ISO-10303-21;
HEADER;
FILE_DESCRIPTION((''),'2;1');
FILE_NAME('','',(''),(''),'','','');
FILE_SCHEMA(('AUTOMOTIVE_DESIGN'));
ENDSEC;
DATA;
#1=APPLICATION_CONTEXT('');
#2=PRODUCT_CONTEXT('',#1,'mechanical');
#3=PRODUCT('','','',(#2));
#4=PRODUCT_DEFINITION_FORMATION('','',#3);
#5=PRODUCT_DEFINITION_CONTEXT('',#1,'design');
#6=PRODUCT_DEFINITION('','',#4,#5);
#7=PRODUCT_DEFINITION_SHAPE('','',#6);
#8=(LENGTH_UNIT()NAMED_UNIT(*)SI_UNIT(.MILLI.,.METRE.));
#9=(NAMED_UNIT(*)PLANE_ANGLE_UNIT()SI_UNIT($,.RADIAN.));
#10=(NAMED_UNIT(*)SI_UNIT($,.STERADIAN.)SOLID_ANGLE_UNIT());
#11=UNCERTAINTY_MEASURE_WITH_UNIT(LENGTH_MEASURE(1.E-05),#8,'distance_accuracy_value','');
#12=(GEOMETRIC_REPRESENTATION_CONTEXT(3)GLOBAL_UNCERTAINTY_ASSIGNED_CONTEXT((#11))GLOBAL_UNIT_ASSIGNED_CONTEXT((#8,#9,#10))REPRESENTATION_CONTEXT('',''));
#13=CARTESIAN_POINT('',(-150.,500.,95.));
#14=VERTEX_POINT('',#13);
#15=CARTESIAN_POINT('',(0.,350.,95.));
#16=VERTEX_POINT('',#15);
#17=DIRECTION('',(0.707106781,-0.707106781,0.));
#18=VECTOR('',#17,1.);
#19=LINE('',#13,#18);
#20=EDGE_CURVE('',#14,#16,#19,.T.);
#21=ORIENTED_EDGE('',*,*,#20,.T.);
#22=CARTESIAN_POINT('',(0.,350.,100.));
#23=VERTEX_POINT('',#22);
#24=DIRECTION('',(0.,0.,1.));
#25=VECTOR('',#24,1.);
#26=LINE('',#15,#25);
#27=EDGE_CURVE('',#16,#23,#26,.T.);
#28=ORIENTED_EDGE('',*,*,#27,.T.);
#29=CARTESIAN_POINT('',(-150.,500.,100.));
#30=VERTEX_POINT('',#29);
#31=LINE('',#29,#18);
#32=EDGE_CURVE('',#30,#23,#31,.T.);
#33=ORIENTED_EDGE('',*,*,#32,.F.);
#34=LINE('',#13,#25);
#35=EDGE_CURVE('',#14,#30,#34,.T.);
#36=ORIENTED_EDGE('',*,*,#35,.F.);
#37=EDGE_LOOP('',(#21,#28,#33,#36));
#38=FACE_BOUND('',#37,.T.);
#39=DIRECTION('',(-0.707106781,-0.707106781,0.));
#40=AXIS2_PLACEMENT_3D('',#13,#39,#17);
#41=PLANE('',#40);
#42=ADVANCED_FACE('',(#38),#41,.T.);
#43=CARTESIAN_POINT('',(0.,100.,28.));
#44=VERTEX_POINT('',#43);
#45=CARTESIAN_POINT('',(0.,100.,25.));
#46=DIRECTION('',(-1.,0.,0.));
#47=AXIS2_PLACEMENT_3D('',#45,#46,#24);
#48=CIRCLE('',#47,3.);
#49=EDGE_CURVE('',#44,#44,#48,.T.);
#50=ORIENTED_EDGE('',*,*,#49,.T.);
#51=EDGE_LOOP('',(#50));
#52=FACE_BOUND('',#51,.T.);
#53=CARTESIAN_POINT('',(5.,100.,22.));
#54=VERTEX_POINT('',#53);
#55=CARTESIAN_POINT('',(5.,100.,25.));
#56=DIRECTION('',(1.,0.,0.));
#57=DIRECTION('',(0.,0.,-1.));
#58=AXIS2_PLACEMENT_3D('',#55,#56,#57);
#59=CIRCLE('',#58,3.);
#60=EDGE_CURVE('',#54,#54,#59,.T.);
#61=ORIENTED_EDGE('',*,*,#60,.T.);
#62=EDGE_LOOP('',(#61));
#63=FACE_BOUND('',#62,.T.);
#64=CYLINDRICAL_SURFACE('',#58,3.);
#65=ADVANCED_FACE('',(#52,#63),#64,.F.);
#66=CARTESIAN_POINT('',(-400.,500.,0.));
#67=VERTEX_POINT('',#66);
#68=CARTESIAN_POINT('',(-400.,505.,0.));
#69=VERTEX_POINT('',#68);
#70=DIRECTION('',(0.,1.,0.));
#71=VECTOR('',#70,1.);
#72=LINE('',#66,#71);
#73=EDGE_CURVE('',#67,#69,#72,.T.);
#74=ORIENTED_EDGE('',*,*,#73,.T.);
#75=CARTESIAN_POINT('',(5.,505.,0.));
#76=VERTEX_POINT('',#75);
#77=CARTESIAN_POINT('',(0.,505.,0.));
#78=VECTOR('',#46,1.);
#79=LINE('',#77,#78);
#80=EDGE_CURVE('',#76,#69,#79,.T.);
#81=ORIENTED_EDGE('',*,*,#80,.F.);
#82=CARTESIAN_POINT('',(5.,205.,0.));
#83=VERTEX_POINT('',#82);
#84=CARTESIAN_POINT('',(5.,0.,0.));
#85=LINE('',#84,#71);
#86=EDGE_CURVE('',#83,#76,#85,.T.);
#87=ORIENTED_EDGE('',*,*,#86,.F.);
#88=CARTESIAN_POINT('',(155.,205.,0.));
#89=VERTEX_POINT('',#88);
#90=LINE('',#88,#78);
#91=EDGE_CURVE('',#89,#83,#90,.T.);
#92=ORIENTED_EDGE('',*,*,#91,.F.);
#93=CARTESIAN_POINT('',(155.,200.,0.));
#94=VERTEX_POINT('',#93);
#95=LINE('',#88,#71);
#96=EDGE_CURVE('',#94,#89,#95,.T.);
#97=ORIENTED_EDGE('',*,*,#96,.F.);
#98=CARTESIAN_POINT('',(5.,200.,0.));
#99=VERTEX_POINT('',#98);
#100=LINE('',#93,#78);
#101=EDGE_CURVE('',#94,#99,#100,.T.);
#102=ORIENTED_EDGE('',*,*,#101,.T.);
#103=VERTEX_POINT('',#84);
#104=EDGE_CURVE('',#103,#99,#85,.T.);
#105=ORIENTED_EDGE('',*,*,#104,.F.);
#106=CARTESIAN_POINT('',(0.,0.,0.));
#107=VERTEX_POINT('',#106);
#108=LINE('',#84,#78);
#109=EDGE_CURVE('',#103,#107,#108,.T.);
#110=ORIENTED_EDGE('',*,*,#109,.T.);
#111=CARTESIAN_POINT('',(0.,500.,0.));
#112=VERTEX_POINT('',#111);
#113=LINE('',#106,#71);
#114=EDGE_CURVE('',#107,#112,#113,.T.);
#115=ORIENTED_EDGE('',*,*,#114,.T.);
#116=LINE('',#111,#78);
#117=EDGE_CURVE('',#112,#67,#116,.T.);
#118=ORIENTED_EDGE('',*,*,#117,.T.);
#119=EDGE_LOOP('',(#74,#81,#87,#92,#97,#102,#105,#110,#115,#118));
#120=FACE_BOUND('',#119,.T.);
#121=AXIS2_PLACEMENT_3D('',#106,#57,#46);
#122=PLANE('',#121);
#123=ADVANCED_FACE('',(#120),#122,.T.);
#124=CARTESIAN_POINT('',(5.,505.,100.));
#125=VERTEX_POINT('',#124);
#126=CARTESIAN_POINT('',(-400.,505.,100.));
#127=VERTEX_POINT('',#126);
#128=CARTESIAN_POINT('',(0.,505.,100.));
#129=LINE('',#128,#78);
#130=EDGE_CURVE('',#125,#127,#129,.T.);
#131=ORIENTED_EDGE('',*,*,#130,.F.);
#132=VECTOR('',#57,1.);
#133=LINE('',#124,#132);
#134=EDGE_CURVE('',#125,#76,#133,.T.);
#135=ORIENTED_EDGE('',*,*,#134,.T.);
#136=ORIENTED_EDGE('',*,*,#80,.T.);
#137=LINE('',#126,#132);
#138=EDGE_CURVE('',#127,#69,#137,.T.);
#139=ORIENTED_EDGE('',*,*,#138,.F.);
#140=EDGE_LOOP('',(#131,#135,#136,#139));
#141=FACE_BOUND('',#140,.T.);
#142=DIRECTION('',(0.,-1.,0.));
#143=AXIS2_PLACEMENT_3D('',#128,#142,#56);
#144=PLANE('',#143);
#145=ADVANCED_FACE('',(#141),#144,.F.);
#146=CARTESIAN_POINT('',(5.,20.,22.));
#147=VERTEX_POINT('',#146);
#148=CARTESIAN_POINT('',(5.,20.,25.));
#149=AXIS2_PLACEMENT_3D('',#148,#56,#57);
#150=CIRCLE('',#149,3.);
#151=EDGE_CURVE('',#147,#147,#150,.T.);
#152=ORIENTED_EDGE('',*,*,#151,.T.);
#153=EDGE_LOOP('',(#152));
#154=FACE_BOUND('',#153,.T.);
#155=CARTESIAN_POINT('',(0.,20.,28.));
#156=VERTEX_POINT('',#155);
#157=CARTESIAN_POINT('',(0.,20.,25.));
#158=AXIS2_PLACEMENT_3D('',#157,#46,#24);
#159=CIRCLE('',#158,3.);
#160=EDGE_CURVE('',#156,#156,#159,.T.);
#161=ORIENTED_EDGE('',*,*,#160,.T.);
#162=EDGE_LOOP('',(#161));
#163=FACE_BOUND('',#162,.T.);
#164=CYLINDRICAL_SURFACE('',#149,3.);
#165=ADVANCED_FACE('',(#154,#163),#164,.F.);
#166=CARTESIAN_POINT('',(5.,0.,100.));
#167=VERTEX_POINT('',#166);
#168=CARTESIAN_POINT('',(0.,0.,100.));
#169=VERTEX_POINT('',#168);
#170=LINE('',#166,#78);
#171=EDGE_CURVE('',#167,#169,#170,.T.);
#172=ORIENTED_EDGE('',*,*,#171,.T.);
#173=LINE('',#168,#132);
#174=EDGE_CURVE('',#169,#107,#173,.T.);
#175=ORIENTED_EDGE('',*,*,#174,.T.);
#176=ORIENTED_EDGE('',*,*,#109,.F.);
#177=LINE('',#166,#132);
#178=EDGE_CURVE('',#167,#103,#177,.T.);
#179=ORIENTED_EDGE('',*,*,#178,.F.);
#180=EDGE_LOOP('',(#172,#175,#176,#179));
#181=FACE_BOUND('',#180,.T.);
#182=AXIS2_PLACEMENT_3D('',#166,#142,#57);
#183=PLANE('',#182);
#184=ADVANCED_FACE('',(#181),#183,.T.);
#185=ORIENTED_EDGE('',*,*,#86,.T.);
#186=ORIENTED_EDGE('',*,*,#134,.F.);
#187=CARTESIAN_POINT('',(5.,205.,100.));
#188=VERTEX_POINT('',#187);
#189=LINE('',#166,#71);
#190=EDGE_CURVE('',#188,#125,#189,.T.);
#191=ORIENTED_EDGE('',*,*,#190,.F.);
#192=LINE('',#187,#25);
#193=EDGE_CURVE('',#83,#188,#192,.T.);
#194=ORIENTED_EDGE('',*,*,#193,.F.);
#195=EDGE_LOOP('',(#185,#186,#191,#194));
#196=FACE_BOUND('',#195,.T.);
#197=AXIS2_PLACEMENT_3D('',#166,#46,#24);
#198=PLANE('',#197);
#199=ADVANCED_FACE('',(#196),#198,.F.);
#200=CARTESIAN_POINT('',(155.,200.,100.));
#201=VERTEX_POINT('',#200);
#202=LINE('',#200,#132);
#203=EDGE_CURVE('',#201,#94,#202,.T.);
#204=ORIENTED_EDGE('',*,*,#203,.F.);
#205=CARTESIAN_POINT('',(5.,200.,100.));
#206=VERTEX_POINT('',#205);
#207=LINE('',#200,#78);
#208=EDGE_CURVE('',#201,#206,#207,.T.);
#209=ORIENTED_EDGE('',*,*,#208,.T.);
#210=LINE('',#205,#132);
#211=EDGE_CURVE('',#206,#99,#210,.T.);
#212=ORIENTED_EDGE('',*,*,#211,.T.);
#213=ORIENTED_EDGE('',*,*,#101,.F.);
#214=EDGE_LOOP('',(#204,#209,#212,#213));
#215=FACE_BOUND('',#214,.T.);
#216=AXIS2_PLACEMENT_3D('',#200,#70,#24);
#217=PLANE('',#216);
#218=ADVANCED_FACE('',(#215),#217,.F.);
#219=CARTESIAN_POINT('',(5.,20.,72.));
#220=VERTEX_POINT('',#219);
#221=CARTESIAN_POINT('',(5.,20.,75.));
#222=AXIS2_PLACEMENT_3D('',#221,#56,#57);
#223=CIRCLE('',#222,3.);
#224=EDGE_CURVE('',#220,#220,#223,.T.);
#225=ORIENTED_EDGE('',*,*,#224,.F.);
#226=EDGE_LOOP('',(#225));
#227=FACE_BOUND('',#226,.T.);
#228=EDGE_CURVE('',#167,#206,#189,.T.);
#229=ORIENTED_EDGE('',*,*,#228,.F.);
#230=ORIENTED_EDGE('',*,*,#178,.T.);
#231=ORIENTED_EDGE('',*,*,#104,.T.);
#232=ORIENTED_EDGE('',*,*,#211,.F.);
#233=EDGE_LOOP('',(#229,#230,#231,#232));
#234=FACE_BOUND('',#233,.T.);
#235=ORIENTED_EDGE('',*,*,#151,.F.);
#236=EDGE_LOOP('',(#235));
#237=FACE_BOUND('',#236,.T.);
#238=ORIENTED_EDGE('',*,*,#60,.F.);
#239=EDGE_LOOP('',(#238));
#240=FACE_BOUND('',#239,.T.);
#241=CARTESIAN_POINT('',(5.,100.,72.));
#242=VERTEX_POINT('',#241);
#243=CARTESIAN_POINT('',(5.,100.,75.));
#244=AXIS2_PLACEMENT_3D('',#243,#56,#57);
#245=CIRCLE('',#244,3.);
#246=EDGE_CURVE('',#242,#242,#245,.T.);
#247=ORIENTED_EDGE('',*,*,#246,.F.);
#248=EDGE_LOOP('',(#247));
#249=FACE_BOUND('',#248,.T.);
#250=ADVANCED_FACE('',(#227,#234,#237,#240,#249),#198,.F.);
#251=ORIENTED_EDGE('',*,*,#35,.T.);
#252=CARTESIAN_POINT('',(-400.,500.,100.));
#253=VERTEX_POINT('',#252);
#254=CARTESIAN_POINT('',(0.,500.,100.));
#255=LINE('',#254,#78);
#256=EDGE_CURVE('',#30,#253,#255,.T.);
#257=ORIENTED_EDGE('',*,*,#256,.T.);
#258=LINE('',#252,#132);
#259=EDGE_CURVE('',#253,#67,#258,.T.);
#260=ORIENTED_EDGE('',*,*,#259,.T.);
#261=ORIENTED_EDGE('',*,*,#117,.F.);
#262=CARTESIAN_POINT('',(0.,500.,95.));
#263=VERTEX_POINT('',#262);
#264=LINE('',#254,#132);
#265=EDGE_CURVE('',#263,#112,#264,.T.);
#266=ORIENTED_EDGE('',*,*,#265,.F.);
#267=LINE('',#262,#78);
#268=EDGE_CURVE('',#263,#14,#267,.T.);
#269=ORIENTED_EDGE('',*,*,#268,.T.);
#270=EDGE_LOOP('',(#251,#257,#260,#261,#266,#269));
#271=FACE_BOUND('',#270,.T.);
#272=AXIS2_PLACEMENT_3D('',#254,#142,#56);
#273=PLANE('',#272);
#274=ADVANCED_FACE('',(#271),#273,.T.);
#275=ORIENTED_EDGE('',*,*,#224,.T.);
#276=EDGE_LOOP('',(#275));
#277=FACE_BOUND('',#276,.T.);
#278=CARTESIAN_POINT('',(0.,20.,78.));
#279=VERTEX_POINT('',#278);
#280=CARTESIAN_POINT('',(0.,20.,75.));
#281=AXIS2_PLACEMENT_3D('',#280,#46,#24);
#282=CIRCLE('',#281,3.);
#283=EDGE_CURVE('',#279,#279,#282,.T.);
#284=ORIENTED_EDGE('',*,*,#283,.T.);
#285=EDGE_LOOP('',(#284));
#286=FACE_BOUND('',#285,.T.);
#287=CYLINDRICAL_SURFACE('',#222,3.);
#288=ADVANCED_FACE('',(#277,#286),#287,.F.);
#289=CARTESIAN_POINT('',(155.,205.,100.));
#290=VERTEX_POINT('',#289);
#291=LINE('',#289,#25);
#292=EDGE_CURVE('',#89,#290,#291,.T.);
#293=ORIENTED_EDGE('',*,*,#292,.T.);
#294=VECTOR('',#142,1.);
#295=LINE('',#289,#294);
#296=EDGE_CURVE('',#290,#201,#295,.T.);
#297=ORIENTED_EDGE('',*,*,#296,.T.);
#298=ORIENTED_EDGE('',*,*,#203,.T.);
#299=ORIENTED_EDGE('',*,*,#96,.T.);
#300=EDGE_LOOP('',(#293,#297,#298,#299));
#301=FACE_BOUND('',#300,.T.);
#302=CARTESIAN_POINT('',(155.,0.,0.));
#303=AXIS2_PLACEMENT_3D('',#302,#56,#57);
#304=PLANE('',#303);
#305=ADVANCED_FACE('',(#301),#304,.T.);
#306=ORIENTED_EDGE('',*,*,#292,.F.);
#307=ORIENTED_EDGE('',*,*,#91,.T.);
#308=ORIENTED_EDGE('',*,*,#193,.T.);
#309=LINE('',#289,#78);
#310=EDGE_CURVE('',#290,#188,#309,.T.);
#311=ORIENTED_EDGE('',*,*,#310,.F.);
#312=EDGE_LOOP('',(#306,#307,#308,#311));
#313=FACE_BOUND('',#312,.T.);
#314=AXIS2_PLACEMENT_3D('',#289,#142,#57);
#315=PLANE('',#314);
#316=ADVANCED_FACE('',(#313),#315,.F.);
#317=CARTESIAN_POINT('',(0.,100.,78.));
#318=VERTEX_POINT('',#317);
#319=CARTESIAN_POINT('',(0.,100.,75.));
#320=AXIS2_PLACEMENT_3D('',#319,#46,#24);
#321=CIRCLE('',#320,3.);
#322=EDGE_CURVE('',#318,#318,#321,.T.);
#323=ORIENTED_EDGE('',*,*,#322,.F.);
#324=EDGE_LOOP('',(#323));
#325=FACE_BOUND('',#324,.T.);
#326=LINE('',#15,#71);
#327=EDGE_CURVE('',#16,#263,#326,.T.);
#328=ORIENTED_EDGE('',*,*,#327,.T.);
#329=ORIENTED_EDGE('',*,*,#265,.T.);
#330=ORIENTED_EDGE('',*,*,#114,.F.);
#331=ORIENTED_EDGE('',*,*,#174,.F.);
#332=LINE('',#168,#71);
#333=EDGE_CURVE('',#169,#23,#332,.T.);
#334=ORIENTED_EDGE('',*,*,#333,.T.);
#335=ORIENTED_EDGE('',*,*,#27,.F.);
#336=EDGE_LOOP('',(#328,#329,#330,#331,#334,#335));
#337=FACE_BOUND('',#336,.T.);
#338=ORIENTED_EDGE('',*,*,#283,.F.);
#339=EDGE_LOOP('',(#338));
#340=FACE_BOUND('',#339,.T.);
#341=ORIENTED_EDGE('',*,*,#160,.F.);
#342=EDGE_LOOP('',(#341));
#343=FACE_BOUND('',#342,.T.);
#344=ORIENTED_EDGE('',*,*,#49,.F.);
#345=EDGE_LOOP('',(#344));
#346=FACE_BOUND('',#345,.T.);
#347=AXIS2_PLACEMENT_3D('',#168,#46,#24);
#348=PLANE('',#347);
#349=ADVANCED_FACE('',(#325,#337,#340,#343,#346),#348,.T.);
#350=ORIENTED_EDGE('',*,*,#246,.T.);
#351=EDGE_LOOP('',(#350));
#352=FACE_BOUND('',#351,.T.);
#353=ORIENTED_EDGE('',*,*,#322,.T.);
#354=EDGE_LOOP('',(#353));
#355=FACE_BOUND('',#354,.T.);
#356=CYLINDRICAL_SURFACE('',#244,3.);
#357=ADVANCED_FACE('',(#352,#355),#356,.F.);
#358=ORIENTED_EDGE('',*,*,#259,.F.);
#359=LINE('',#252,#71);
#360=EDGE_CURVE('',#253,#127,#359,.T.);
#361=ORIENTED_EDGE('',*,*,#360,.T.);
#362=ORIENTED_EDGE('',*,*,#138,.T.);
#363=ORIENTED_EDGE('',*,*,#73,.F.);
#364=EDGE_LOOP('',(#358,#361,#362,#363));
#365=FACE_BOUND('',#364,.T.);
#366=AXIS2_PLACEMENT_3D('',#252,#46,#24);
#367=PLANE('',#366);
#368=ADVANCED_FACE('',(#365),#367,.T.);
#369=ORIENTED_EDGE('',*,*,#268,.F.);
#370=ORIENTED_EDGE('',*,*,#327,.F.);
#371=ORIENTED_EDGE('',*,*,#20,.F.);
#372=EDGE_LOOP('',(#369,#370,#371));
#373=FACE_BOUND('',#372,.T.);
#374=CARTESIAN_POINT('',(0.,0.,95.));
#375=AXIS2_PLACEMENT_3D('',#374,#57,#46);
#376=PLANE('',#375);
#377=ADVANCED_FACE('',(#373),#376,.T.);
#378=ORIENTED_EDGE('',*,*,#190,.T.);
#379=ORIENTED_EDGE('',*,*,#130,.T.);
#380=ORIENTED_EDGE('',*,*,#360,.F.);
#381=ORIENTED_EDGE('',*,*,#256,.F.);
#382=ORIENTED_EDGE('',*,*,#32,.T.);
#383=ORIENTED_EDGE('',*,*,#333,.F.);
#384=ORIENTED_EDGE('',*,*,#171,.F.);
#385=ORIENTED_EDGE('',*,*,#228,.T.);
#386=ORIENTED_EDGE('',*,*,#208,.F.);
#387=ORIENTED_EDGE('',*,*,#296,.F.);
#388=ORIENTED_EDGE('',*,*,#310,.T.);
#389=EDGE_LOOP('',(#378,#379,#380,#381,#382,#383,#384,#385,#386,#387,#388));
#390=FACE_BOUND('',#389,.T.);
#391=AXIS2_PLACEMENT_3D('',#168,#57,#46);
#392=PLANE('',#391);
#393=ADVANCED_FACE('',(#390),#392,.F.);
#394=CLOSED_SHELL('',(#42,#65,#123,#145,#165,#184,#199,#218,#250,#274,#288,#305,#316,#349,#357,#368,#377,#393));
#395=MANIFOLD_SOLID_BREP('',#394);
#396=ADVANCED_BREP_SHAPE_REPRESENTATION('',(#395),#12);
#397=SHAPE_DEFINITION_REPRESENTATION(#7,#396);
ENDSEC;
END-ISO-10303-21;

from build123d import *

# Parameters (mm, degrees)
EXTRUDE_THIN1_DEPTH   = 100
F_6_0MM_DOWEL_HOLE1_D = 6
SKETCH8_W             = 100
SKETCH8_H             = 5
BOSS_EXTRUDE3_DEPTH   = 150
BOSS_EXTRUDE4_DEPTH   = 5


with BuildPart() as part:
    # Sketch1 → Extrude-Thin1 (new body)
    with BuildSketch(Plane.XY):
        Polygon((0, 0), (0, 500), (-400, 500), (-400, 505), (5, 505), (5, 0), align=None)
    extrude(amount=EXTRUDE_THIN1_DEPTH)

    # Ø6.0mm Dowel Hole1 (through all)
    with Locations(Plane(origin=(5, 0, 0), x_dir=(0, 0, -1), z_dir=(1, 0, 0))):
        with Locations((-25, 100), (-75, 100), (-75, 20), (-25, 20)):
            Hole(F_6_0MM_DOWEL_HOLE1_D / 2)

    # Sketch8 → Boss-Extrude3 (add)
    with BuildSketch(Plane(origin=(5, 0, 0), x_dir=(0, 0, -1), z_dir=(1, 0, 0))):
        with Locations((-50, 202.5)):
            Rectangle(SKETCH8_W, SKETCH8_H)
    extrude(amount=BOSS_EXTRUDE3_DEPTH)

    # Sketch9 → Boss-Extrude4 (add)
    with BuildSketch(Plane.XY.offset(100)):
        Polygon((-150, 500), (0, 350), (0, 500), align=None)
    extrude(amount=-BOSS_EXTRUDE4_DEPTH)


solid = part.part
